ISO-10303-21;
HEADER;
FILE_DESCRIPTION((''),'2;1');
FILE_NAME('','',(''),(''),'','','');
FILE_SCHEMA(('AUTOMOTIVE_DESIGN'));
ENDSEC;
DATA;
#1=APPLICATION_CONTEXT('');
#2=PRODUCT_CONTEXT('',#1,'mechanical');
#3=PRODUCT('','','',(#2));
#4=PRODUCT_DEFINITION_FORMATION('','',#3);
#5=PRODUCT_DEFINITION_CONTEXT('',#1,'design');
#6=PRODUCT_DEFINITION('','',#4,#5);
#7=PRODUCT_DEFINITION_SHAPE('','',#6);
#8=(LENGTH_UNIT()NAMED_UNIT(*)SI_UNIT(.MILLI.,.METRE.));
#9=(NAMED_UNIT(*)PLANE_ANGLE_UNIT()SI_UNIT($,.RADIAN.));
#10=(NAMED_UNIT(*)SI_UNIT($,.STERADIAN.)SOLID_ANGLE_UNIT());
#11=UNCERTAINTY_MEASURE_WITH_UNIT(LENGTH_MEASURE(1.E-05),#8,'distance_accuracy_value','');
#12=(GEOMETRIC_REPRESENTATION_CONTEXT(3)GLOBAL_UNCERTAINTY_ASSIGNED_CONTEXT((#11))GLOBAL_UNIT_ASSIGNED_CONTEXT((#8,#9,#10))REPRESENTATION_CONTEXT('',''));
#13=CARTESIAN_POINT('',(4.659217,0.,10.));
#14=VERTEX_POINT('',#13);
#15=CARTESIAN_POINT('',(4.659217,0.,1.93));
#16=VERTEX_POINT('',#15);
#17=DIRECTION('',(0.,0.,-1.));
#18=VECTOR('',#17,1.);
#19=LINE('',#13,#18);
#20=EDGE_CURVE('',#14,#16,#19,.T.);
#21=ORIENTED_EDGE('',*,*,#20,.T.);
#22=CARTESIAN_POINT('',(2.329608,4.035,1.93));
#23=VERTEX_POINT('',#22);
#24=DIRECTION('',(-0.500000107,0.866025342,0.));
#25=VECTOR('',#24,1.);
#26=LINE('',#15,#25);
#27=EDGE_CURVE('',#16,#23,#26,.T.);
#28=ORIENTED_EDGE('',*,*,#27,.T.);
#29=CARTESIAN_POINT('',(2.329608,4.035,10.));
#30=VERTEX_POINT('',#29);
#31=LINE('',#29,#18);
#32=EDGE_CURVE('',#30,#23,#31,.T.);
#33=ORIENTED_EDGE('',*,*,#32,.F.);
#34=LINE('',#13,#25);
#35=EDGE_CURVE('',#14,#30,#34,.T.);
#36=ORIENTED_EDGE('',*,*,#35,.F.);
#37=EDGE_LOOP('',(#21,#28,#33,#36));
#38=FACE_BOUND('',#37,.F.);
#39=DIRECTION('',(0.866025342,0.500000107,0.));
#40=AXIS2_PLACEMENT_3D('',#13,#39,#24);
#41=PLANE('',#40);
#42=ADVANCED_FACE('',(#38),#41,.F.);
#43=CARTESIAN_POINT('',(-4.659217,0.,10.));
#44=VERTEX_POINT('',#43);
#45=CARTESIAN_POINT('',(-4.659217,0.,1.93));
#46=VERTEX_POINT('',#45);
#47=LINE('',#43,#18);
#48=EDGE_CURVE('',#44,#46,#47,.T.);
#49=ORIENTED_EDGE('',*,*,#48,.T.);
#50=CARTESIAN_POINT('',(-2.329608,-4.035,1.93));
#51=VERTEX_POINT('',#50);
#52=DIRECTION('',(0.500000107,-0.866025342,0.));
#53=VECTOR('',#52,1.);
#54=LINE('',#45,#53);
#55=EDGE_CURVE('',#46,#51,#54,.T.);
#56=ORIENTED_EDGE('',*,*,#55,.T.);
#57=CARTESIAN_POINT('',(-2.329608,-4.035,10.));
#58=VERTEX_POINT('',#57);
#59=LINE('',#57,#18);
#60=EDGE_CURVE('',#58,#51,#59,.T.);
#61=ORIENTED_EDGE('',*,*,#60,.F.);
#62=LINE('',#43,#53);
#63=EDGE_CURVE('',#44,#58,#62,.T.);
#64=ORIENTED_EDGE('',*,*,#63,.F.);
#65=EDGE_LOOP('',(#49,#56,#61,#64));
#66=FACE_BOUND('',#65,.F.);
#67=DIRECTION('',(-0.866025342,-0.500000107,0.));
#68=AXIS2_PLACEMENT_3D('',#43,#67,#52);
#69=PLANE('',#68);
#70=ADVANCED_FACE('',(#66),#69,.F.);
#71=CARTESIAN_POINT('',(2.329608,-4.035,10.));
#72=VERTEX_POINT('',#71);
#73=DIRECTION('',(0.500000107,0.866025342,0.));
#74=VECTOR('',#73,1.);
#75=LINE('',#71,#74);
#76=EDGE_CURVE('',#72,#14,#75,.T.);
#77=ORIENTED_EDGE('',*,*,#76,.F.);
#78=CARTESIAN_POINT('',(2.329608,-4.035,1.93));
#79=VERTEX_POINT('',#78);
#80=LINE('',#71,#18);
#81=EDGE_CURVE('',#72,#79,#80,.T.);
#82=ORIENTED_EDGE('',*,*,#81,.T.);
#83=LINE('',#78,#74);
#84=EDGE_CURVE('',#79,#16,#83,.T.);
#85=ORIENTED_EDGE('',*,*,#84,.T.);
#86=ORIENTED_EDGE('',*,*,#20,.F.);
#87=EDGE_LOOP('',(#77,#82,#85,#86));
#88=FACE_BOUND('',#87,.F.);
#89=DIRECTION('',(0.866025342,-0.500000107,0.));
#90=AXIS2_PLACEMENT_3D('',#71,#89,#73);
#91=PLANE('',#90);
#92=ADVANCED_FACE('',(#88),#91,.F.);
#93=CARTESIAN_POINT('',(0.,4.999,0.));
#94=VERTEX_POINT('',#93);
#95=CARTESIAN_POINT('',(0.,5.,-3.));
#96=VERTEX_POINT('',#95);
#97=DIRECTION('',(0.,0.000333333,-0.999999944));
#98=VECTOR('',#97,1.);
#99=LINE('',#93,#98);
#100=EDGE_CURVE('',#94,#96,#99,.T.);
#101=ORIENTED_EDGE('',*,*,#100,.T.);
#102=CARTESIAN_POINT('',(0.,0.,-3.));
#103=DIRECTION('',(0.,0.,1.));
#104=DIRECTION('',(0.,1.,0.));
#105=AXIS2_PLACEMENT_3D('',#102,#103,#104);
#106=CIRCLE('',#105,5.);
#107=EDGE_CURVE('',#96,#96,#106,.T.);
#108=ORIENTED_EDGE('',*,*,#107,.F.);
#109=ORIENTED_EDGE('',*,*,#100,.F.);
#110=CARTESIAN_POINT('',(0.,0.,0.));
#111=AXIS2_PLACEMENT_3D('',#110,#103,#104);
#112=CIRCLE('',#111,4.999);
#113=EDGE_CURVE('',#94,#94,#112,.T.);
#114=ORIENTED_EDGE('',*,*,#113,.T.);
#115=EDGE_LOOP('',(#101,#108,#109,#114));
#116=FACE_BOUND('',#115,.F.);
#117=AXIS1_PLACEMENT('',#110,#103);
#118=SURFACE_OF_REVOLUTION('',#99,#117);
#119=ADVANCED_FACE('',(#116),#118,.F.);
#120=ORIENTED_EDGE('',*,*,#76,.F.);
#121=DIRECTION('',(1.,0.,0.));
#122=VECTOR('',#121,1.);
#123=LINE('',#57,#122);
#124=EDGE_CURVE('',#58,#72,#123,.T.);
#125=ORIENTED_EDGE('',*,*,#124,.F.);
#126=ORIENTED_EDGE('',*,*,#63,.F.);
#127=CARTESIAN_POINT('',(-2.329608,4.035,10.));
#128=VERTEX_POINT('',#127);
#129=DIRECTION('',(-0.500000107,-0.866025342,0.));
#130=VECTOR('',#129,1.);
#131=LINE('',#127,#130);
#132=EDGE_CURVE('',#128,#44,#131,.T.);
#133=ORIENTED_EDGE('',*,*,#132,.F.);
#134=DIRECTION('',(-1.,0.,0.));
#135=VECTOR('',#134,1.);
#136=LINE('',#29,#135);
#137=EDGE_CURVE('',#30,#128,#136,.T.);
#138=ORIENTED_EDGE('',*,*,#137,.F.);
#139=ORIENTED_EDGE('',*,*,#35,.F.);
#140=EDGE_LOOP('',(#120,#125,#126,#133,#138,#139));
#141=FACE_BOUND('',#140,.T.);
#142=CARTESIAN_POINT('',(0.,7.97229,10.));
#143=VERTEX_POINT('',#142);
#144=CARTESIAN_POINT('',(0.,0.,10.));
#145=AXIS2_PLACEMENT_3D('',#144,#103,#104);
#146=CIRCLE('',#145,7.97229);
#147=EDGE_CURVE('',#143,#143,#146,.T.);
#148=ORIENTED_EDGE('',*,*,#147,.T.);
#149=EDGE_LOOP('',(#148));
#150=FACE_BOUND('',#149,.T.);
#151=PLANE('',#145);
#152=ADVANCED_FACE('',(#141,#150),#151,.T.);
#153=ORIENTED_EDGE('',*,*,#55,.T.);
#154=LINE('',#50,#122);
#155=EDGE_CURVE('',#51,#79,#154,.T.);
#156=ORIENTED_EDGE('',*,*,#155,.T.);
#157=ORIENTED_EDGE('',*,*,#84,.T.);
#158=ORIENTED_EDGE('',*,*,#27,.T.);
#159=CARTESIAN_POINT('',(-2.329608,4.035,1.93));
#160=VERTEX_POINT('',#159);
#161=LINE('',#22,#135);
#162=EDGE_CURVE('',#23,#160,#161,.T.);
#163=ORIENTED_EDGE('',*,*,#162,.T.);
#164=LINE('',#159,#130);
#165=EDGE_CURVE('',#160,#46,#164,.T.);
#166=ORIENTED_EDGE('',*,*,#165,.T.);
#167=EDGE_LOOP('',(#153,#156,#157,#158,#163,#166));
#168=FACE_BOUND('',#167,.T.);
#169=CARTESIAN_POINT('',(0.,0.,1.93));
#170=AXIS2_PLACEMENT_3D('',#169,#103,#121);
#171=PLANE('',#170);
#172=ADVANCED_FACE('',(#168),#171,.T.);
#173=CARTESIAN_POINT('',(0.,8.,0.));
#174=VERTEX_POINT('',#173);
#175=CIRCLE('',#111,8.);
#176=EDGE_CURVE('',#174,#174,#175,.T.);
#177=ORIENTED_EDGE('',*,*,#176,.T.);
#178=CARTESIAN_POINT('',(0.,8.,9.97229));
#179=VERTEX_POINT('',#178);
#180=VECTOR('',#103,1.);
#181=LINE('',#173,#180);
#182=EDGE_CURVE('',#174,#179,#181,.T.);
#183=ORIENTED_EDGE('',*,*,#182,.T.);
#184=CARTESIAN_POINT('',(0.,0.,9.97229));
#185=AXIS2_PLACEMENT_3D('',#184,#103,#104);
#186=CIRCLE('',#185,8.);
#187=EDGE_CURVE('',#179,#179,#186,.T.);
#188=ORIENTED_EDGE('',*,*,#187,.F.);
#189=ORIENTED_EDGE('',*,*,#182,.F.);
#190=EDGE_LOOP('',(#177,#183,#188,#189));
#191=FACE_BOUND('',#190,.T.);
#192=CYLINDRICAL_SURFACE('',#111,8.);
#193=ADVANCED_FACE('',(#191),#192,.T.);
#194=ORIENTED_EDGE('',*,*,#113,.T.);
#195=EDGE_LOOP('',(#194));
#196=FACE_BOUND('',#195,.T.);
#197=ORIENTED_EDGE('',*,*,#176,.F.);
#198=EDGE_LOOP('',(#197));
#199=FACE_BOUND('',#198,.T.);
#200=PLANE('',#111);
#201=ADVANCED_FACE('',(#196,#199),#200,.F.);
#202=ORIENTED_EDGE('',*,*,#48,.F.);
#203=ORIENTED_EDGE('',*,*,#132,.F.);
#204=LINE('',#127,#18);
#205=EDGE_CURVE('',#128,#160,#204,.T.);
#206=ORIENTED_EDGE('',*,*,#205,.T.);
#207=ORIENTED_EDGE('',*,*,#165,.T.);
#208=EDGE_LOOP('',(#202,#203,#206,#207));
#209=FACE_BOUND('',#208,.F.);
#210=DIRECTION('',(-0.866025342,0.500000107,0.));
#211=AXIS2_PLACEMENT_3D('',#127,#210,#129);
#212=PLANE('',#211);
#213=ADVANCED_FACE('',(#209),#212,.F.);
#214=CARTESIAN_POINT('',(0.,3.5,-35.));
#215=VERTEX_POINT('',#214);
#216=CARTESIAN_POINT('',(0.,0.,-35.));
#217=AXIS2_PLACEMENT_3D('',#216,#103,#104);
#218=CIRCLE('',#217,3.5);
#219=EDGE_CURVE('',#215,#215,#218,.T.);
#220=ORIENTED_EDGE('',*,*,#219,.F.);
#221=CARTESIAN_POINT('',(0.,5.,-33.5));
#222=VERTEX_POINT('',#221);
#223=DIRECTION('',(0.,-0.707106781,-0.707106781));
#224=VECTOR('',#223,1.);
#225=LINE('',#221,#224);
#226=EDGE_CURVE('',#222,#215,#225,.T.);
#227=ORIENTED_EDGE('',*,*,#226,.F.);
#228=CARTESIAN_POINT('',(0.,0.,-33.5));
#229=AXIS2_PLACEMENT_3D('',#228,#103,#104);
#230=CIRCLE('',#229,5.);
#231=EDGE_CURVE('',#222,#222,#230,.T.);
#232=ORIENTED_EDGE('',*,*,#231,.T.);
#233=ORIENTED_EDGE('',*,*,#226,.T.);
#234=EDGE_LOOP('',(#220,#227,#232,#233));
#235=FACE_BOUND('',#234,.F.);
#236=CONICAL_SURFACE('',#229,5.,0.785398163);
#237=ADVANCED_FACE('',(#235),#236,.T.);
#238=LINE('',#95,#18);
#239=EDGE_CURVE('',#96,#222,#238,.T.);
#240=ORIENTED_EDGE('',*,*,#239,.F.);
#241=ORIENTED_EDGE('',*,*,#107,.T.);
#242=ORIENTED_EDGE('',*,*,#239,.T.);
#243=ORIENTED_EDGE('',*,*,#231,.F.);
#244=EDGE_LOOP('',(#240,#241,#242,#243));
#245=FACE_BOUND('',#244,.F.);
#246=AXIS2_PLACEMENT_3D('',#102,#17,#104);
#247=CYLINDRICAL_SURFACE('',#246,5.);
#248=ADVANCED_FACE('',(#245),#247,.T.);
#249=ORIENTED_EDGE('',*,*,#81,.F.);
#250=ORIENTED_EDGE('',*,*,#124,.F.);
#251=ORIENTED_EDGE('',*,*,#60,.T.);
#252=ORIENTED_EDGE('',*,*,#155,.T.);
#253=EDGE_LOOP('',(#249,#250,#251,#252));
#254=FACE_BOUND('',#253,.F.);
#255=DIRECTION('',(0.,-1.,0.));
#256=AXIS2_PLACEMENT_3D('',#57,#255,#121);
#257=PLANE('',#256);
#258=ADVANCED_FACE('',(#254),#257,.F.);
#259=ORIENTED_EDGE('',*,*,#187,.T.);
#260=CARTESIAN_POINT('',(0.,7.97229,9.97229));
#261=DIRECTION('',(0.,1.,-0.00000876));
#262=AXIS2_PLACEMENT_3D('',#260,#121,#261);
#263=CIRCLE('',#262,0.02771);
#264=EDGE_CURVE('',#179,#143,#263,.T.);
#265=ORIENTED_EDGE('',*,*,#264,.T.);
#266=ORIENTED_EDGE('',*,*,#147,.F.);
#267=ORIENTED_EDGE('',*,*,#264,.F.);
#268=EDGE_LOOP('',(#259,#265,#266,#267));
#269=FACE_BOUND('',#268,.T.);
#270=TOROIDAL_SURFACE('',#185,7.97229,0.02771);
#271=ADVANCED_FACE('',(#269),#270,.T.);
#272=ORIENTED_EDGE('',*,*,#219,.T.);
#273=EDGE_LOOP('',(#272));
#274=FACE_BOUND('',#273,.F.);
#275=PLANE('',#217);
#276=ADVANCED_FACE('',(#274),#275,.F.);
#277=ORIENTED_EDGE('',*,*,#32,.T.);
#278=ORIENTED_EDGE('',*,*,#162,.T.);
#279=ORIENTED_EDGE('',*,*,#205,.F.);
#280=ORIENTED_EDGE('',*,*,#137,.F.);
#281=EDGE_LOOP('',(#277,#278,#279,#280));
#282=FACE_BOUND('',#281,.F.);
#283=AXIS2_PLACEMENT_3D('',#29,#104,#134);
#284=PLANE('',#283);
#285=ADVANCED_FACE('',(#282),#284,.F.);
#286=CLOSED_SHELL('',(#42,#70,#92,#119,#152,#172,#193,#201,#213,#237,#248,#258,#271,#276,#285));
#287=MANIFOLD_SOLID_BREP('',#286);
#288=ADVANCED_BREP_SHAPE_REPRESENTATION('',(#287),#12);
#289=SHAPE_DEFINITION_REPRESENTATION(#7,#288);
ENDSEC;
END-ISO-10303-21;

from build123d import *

# Parameters (mm, degrees)
POCKET_DEPTH = 8.07


with BuildPart() as part:
    # Sketch → Revolve (revolve)
    with BuildSketch(Plane.YZ):
        with BuildLine():
            Line((4.999, 0), (8, 0))
            Line((8, 0), (8, 9.97229))
            ThreePointArc((8, 9.97229), (7.991884, 9.991884), (7.97229, 10))
            Line((7.97229, 10), (0, 10))
            Line((0, -35), (0, 10))
            Line((3.5, -35), (0, -35))
            Line((5, -33.5), (3.5, -35))
            Line((5, -3), (5, -33.5))
            Line((4.999, 0), (5, -3))
        make_face()
    revolve(axis=Axis((0, 0, 0), (0, 0, 1)))

    # Sketch001 → Pocket (cut)
    with BuildSketch(Plane.XY.offset(10)):
        Polygon((4.659217, 0), (2.329608, 4.035), (-2.329608, 4.035), (-4.659217, 0), (-2.329608, -4.035), (2.329608, -4.035), align=None)
    extrude(amount=-POCKET_DEPTH, mode=Mode.SUBTRACT)


solid = part.part
